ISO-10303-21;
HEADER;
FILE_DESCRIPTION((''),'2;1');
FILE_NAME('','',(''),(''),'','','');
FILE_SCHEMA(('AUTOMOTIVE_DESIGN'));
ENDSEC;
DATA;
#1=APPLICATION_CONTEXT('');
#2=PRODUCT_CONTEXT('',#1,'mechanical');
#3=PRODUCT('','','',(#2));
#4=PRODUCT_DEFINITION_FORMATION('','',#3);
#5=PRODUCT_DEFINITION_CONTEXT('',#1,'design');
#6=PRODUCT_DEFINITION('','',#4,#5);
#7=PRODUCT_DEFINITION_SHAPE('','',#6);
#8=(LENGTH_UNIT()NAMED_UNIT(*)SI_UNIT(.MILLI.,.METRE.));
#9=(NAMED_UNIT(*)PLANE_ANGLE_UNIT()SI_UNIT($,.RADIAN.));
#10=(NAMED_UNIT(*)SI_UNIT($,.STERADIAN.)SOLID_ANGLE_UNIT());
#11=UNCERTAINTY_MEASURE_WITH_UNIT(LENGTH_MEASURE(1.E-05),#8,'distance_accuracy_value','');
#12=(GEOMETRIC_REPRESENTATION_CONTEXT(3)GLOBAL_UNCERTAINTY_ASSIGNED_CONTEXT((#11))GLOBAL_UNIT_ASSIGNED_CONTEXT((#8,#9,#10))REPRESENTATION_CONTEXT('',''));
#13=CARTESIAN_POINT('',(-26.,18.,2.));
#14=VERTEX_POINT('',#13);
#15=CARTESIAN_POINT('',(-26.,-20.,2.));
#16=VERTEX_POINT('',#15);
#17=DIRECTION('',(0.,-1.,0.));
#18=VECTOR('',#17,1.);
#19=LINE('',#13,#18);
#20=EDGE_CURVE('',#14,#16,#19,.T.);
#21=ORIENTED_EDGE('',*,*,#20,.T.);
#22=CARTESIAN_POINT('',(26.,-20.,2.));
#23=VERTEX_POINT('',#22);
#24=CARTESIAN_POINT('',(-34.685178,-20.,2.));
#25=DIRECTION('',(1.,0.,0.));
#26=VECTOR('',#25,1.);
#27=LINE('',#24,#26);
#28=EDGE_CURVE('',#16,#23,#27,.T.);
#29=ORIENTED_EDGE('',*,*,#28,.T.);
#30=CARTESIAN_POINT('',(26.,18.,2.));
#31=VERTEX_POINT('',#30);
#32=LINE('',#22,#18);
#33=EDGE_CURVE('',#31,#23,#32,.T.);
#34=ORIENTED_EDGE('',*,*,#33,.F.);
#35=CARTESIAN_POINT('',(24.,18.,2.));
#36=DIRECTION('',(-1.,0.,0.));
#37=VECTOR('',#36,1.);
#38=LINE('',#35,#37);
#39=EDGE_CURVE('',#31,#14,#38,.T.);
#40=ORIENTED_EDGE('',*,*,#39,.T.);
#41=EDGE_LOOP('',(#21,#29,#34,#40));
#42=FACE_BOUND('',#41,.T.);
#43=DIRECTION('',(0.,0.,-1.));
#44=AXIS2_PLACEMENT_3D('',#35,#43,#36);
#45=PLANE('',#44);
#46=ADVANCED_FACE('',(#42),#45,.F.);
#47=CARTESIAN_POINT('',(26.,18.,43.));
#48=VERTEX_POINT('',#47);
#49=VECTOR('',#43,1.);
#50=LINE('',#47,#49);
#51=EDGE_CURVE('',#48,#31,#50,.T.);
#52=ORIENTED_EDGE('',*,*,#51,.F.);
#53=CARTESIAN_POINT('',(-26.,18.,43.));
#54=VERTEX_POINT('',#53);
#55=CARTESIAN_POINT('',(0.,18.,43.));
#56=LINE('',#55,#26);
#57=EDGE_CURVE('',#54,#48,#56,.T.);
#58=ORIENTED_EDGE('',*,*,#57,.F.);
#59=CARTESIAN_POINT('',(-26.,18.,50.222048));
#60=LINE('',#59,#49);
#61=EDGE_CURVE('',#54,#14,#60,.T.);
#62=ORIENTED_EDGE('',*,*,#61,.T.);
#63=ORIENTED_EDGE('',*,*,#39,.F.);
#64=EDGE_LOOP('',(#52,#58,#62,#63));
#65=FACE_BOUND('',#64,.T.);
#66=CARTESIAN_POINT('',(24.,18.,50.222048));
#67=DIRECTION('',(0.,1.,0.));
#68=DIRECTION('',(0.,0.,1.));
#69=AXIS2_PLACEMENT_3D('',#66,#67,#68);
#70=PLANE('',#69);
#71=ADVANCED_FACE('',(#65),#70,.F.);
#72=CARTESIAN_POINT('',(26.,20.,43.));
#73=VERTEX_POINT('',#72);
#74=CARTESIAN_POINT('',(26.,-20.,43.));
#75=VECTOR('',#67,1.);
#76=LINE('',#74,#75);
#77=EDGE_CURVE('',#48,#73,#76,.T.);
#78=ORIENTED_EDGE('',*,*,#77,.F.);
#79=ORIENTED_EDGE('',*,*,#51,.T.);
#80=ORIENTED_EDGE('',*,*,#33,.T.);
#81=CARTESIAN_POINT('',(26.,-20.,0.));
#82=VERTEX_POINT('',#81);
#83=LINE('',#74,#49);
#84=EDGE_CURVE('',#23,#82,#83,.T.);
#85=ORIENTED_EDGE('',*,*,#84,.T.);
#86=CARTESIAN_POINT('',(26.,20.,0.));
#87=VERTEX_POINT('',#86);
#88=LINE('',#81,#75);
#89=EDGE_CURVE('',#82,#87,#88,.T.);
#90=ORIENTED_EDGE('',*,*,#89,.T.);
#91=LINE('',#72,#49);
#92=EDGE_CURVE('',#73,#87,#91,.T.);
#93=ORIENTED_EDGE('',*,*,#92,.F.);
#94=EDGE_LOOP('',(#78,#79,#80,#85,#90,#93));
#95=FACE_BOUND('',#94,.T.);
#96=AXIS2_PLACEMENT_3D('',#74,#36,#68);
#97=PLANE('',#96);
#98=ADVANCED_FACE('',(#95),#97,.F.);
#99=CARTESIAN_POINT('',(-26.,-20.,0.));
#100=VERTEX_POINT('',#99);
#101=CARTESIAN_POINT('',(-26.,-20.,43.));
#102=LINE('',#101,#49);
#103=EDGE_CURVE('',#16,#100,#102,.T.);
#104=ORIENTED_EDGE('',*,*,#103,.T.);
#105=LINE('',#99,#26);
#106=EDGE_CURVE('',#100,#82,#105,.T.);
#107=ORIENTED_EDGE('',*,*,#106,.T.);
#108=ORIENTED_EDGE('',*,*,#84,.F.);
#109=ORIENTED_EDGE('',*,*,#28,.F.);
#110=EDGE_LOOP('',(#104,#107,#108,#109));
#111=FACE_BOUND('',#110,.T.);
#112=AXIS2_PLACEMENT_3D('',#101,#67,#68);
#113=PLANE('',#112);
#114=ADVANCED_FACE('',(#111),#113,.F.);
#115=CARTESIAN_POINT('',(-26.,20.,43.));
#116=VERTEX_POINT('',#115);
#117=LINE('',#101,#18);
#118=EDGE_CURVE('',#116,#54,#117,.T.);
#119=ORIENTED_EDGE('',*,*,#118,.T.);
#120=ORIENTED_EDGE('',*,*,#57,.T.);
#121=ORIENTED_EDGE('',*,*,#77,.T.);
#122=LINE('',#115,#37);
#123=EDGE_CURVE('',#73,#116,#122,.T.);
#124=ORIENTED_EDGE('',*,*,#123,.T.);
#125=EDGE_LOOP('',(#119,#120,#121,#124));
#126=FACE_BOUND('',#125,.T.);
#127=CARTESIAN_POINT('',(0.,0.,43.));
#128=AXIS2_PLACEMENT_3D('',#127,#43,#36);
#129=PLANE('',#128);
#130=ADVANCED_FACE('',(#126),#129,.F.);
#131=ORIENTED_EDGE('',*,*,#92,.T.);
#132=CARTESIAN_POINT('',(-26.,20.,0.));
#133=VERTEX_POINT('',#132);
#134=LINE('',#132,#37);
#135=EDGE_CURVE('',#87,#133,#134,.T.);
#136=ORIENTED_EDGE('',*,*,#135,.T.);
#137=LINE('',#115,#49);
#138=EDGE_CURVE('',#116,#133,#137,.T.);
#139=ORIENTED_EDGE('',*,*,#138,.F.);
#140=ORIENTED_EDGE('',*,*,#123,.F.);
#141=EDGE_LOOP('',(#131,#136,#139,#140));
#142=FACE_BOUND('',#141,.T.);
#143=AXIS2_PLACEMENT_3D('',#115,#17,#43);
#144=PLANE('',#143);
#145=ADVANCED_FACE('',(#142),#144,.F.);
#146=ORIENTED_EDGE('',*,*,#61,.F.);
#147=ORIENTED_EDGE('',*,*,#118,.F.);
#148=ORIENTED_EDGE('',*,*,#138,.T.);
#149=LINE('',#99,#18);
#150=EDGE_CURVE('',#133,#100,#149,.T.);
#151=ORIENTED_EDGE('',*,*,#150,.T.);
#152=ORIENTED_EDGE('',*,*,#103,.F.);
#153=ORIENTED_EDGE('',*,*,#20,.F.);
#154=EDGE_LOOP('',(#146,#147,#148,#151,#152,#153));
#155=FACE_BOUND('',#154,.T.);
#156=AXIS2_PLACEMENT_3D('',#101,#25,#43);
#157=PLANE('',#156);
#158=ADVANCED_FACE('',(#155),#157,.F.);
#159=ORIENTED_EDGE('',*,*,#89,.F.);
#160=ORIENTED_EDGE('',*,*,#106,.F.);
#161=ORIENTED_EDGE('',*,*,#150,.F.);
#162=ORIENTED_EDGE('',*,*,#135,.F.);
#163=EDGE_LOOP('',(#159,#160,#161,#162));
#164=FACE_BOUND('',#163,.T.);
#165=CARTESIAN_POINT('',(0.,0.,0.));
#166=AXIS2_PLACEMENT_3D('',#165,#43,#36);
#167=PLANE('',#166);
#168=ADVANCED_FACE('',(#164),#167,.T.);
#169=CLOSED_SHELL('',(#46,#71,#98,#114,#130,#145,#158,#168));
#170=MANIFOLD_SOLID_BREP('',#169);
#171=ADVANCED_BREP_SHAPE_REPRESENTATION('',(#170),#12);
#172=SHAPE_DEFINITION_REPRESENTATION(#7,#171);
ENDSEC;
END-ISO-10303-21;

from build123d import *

# Parameters (mm, degrees)
ESQUISSE1_W             = 52
ESQUISSE1_H             = 40
BOSS_EXTRU_1_DEPTH      = 43
ESQUISSE2_W             = 48.222048012
ESQUISSE2_H             = 36
ENL_V_MAT_EXTRU_1_DEPTH = 50
ESQUISSE3_W             = 72.686110251
ESQUISSE3_H             = 50.534375484
ENL_V_MAT_EXTRU_2_DEPTH = 38


with BuildPart() as part:
    # Esquisse1 → Boss.-Extru.1 (new body)
    with BuildSketch(Plane.XY):
        Rectangle(ESQUISSE1_W, ESQUISSE1_H)
    extrude(amount=BOSS_EXTRU_1_DEPTH)

    # Esquisse2 → Enlèv. mat.-Extru.1 (cut)
    with BuildSketch(Plane.ZY.offset(26)):
        with Locations((26.111024006, 0)):
            Rectangle(ESQUISSE2_W, ESQUISSE2_H)
    extrude(amount=-ENL_V_MAT_EXTRU_1_DEPTH, mode=Mode.SUBTRACT)

    # Esquisse3 → Enlèv. mat.-Extru.2 (cut)
    with BuildSketch(Plane.XZ.offset(20)):
        with Locations((1.657877156, 27.267187742)):
            Rectangle(ESQUISSE3_W, ESQUISSE3_H)
    extrude(amount=-ENL_V_MAT_EXTRU_2_DEPTH, mode=Mode.SUBTRACT)


solid = part.part
